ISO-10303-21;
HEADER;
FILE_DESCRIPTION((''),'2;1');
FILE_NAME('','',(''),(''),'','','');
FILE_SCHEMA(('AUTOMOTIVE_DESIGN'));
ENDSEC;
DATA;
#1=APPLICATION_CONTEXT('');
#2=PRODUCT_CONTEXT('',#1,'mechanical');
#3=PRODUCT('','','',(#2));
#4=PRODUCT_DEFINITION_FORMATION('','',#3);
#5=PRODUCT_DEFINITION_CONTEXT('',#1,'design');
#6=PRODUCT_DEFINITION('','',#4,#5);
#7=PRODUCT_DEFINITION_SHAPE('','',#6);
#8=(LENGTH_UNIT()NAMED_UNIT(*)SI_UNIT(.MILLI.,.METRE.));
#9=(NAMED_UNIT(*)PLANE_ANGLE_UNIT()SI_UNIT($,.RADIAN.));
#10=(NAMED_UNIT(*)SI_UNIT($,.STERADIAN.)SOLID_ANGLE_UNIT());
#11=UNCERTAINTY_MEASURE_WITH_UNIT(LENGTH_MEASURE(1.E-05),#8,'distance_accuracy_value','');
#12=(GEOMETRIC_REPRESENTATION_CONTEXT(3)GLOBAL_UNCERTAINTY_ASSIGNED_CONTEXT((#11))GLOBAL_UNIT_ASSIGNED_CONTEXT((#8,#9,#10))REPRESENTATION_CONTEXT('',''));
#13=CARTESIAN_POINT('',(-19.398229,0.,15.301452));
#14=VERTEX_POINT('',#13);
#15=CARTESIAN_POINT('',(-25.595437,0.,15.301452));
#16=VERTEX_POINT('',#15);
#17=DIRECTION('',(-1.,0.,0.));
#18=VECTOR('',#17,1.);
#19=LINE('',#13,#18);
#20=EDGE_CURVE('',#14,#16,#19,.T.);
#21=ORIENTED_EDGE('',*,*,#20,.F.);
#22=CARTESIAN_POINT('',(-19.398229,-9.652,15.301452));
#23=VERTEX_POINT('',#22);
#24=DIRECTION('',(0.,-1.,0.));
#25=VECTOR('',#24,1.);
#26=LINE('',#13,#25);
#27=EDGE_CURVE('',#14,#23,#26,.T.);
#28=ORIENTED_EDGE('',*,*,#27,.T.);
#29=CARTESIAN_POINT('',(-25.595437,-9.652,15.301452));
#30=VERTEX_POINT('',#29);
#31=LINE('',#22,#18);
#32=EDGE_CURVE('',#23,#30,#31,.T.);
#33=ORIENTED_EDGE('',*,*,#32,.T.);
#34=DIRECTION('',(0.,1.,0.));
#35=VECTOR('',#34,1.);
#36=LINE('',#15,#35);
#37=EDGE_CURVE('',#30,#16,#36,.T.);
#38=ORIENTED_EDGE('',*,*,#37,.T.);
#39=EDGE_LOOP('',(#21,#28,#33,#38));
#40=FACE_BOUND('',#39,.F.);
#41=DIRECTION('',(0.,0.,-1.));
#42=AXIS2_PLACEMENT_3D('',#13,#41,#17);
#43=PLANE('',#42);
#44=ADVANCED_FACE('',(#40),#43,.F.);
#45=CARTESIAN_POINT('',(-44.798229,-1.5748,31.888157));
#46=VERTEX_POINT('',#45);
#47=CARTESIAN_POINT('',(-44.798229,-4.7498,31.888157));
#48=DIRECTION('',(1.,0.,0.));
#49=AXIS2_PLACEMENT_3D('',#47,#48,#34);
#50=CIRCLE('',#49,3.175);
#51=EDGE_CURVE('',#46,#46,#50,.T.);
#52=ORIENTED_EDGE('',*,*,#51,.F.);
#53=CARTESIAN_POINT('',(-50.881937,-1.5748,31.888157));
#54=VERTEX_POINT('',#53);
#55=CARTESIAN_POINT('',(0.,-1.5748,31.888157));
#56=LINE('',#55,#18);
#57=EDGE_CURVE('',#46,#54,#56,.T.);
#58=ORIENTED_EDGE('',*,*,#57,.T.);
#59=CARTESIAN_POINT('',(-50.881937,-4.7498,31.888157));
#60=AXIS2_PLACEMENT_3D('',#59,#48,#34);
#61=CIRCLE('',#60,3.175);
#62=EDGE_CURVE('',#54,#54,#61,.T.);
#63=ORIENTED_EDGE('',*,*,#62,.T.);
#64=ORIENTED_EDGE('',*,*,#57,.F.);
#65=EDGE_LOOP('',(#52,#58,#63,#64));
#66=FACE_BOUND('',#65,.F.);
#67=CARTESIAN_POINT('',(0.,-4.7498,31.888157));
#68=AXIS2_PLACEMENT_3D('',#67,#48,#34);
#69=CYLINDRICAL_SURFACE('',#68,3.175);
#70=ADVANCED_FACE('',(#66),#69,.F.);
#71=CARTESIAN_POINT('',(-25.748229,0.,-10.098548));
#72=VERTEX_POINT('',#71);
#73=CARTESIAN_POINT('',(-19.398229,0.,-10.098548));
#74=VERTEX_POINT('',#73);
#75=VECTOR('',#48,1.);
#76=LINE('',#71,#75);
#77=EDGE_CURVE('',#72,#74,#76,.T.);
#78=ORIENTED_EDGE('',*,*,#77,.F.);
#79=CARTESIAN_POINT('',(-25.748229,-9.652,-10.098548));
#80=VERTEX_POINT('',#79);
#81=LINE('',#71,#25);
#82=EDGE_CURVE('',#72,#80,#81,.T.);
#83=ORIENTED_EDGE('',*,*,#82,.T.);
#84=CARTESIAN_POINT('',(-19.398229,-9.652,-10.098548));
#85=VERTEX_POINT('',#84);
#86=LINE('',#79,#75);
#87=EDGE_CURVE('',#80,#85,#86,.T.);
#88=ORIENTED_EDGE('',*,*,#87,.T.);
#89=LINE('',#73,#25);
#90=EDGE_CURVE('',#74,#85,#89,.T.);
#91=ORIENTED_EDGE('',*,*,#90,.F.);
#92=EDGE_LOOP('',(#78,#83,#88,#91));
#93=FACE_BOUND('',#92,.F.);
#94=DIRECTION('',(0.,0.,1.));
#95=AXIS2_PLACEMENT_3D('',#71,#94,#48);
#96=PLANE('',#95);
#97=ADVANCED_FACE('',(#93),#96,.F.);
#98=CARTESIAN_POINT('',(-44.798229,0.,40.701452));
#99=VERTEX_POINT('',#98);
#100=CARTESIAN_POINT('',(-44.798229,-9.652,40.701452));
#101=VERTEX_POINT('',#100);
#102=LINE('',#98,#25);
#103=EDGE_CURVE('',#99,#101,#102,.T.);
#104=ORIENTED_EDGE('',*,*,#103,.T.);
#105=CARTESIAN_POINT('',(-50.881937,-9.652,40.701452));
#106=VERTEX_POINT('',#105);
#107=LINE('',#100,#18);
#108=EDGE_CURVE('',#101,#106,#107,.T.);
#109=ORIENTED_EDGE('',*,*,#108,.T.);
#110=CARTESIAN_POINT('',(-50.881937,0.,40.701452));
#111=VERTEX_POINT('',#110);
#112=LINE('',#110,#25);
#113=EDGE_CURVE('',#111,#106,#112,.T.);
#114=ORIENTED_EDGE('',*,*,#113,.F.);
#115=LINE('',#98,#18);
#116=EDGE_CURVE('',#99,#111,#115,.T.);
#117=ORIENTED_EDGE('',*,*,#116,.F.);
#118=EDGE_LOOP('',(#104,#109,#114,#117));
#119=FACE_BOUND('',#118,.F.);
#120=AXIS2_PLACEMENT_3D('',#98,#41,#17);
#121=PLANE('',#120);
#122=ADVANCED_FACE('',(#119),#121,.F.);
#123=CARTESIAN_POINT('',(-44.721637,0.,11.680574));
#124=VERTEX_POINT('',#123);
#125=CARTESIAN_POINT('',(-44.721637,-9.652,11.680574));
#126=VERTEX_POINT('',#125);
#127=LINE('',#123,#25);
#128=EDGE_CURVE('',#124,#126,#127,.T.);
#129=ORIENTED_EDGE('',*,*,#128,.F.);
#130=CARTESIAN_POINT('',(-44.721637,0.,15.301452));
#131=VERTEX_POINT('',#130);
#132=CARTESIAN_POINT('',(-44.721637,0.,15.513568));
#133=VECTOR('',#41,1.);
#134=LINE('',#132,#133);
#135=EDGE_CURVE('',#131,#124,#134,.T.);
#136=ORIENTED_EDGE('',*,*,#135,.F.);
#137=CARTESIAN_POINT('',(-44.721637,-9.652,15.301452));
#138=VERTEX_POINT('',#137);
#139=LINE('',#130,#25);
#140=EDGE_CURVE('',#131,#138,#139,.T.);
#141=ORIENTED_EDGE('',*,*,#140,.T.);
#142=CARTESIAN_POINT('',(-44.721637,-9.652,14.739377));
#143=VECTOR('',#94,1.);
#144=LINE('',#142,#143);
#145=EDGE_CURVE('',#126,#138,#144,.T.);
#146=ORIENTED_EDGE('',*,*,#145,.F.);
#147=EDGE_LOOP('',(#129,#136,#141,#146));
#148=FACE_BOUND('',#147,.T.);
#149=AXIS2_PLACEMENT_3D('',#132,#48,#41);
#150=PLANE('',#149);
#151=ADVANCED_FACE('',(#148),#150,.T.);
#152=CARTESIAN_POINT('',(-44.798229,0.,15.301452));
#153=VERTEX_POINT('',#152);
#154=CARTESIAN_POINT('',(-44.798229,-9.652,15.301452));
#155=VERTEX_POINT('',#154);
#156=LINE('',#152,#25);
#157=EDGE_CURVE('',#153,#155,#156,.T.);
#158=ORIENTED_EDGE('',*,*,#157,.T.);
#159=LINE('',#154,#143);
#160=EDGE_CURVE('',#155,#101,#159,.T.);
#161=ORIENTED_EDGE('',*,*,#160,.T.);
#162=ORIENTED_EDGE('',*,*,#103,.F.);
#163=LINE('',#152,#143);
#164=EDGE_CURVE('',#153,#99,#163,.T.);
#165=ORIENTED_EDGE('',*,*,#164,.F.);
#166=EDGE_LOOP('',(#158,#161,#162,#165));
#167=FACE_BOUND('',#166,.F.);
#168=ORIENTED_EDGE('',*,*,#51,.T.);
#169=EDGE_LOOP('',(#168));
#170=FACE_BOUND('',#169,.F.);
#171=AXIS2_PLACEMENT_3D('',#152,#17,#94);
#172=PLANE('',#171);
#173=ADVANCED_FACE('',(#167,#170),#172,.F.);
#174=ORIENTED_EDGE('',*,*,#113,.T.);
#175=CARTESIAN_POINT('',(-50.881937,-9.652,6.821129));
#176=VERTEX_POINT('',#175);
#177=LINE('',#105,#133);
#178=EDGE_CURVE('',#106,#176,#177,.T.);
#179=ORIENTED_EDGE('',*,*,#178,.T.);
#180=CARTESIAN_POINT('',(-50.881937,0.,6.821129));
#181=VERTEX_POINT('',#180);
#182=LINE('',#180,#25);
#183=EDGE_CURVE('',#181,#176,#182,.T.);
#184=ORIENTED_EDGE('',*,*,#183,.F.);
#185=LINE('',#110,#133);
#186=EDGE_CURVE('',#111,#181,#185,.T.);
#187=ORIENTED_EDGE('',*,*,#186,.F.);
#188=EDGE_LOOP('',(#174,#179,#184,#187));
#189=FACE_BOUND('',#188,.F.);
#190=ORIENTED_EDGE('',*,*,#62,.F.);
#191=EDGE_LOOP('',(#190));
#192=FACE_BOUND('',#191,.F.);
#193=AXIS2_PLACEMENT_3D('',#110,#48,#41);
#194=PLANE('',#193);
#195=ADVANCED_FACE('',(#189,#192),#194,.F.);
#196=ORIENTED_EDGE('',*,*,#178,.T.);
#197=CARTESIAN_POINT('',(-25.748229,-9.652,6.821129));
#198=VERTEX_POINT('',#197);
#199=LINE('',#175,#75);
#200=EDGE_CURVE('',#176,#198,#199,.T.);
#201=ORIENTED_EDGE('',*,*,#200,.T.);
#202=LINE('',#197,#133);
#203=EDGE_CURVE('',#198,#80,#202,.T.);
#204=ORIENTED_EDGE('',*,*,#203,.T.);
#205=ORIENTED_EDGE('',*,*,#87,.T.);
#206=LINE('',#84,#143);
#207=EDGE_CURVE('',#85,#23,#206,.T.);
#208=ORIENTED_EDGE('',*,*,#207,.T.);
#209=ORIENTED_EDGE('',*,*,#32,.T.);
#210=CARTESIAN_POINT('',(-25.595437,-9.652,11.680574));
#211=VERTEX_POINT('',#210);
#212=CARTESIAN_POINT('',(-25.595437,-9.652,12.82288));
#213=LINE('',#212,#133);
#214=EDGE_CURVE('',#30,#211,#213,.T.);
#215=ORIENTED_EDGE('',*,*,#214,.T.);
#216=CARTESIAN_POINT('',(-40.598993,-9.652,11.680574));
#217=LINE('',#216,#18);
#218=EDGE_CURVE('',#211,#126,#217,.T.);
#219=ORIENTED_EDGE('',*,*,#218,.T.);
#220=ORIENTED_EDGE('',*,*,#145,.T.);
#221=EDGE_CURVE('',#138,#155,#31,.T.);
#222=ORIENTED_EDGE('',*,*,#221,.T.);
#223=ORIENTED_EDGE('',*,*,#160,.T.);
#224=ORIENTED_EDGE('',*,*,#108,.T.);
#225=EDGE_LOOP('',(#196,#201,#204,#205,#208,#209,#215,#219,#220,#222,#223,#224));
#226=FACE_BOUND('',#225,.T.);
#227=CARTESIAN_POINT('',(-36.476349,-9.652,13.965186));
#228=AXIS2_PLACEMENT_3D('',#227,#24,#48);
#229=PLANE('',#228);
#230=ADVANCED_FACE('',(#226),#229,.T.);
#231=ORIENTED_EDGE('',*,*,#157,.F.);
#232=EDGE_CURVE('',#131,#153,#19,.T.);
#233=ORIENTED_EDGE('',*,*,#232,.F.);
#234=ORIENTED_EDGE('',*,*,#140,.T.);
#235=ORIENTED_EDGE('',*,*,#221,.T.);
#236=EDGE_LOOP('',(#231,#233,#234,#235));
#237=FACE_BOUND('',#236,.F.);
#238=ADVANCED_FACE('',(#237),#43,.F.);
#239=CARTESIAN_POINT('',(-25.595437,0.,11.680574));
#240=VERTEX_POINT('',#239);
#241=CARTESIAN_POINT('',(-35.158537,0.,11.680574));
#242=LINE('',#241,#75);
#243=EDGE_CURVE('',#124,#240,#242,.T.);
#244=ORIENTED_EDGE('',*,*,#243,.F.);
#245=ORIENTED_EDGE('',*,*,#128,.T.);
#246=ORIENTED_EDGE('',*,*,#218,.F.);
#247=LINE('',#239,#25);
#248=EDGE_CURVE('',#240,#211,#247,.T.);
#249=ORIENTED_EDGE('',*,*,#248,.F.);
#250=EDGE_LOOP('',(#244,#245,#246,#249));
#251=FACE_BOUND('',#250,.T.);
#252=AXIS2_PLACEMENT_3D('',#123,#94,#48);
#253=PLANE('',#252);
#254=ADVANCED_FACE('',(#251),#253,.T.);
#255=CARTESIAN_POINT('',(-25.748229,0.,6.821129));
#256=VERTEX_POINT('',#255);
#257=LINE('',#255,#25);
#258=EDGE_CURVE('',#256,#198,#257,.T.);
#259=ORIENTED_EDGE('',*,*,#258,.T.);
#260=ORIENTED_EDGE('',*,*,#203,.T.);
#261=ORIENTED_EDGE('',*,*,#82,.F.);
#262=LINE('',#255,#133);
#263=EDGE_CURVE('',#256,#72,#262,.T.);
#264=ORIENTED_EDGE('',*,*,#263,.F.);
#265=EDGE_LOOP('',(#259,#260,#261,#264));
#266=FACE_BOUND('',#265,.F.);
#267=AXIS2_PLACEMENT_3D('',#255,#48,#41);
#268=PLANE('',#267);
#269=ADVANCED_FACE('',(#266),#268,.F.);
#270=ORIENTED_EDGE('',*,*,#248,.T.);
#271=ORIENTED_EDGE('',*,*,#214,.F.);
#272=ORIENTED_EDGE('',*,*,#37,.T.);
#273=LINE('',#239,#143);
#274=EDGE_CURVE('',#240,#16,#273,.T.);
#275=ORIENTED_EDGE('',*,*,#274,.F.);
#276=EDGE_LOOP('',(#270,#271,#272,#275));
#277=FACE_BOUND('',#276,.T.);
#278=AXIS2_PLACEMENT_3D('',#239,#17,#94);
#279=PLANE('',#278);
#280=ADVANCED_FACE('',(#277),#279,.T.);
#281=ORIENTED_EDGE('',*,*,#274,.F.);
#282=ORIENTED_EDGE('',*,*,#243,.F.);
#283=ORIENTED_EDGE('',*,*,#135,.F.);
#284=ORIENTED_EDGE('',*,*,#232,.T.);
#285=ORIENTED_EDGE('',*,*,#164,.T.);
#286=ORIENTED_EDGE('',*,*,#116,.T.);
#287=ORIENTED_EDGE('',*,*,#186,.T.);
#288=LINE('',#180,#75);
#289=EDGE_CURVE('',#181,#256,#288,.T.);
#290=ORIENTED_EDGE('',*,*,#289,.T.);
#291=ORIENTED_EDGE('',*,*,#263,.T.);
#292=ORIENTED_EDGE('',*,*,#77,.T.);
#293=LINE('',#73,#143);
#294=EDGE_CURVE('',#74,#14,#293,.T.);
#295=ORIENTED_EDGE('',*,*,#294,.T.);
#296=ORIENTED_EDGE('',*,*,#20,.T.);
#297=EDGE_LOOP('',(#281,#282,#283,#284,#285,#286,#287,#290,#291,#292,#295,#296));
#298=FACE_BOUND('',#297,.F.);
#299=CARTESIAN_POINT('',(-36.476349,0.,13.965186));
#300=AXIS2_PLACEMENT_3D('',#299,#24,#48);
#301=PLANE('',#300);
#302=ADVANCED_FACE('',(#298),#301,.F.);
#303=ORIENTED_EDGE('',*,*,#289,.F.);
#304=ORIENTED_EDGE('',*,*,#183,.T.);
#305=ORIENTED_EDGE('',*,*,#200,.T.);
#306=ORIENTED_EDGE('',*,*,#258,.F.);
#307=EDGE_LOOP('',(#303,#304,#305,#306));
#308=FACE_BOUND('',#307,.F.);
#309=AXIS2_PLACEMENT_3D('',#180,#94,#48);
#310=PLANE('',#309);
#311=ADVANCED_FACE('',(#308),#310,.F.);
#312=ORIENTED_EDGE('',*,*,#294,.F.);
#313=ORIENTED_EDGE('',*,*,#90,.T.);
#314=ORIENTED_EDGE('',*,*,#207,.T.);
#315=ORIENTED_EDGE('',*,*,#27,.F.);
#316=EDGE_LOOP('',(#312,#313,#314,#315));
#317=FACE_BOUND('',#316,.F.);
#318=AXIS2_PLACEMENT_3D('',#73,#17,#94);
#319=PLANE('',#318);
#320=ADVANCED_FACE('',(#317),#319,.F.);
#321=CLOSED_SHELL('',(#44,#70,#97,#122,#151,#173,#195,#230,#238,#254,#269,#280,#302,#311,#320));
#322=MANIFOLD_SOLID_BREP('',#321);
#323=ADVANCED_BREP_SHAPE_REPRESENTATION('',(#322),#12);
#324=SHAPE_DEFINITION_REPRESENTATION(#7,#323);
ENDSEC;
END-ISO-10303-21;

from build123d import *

# Parameters (mm, degrees)
F1_DEPTH = 9.652
F3_R     = 3.175
F4_DEPTH = 55.88
F5_W     = 19.1262
F5_H     = 2.54
F5_H_2   = 1.292995
F6_DEPTH = 25.4


with BuildPart() as f1:
    # F0 (on Front) → F1 (new body)
    with BuildSketch(Plane.XZ):
        Polygon((-44.798229, 15.301452), (-44.798229, 40.701452), (-50.881937, 40.701452), (-50.881937, 6.821129), (-25.748229, 6.821129), (-25.748229, -10.098548), (-19.398229, -10.098548), (-19.398229, 15.301452), align=None)
    extrude(amount=F1_DEPTH)

    # F3 (on Right) → F4 (cut)
    with BuildSketch(Plane.YZ):
        with Locations((-4.7498, 31.888157)):
            Circle(F3_R)
    extrude(amount=-F4_DEPTH, mode=Mode.SUBTRACT)

    # F5 (on Front) → F6 (cut)
    with BuildSketch(Plane.XZ):
        with Locations((-35.158537, 12.950574)):
            Rectangle(F5_W, F5_H)
        with Locations((-35.158537, 14.867071)):
            Rectangle(F5_W, F5_H_2)
    extrude(amount=F6_DEPTH, mode=Mode.SUBTRACT)


solid = f1.part
